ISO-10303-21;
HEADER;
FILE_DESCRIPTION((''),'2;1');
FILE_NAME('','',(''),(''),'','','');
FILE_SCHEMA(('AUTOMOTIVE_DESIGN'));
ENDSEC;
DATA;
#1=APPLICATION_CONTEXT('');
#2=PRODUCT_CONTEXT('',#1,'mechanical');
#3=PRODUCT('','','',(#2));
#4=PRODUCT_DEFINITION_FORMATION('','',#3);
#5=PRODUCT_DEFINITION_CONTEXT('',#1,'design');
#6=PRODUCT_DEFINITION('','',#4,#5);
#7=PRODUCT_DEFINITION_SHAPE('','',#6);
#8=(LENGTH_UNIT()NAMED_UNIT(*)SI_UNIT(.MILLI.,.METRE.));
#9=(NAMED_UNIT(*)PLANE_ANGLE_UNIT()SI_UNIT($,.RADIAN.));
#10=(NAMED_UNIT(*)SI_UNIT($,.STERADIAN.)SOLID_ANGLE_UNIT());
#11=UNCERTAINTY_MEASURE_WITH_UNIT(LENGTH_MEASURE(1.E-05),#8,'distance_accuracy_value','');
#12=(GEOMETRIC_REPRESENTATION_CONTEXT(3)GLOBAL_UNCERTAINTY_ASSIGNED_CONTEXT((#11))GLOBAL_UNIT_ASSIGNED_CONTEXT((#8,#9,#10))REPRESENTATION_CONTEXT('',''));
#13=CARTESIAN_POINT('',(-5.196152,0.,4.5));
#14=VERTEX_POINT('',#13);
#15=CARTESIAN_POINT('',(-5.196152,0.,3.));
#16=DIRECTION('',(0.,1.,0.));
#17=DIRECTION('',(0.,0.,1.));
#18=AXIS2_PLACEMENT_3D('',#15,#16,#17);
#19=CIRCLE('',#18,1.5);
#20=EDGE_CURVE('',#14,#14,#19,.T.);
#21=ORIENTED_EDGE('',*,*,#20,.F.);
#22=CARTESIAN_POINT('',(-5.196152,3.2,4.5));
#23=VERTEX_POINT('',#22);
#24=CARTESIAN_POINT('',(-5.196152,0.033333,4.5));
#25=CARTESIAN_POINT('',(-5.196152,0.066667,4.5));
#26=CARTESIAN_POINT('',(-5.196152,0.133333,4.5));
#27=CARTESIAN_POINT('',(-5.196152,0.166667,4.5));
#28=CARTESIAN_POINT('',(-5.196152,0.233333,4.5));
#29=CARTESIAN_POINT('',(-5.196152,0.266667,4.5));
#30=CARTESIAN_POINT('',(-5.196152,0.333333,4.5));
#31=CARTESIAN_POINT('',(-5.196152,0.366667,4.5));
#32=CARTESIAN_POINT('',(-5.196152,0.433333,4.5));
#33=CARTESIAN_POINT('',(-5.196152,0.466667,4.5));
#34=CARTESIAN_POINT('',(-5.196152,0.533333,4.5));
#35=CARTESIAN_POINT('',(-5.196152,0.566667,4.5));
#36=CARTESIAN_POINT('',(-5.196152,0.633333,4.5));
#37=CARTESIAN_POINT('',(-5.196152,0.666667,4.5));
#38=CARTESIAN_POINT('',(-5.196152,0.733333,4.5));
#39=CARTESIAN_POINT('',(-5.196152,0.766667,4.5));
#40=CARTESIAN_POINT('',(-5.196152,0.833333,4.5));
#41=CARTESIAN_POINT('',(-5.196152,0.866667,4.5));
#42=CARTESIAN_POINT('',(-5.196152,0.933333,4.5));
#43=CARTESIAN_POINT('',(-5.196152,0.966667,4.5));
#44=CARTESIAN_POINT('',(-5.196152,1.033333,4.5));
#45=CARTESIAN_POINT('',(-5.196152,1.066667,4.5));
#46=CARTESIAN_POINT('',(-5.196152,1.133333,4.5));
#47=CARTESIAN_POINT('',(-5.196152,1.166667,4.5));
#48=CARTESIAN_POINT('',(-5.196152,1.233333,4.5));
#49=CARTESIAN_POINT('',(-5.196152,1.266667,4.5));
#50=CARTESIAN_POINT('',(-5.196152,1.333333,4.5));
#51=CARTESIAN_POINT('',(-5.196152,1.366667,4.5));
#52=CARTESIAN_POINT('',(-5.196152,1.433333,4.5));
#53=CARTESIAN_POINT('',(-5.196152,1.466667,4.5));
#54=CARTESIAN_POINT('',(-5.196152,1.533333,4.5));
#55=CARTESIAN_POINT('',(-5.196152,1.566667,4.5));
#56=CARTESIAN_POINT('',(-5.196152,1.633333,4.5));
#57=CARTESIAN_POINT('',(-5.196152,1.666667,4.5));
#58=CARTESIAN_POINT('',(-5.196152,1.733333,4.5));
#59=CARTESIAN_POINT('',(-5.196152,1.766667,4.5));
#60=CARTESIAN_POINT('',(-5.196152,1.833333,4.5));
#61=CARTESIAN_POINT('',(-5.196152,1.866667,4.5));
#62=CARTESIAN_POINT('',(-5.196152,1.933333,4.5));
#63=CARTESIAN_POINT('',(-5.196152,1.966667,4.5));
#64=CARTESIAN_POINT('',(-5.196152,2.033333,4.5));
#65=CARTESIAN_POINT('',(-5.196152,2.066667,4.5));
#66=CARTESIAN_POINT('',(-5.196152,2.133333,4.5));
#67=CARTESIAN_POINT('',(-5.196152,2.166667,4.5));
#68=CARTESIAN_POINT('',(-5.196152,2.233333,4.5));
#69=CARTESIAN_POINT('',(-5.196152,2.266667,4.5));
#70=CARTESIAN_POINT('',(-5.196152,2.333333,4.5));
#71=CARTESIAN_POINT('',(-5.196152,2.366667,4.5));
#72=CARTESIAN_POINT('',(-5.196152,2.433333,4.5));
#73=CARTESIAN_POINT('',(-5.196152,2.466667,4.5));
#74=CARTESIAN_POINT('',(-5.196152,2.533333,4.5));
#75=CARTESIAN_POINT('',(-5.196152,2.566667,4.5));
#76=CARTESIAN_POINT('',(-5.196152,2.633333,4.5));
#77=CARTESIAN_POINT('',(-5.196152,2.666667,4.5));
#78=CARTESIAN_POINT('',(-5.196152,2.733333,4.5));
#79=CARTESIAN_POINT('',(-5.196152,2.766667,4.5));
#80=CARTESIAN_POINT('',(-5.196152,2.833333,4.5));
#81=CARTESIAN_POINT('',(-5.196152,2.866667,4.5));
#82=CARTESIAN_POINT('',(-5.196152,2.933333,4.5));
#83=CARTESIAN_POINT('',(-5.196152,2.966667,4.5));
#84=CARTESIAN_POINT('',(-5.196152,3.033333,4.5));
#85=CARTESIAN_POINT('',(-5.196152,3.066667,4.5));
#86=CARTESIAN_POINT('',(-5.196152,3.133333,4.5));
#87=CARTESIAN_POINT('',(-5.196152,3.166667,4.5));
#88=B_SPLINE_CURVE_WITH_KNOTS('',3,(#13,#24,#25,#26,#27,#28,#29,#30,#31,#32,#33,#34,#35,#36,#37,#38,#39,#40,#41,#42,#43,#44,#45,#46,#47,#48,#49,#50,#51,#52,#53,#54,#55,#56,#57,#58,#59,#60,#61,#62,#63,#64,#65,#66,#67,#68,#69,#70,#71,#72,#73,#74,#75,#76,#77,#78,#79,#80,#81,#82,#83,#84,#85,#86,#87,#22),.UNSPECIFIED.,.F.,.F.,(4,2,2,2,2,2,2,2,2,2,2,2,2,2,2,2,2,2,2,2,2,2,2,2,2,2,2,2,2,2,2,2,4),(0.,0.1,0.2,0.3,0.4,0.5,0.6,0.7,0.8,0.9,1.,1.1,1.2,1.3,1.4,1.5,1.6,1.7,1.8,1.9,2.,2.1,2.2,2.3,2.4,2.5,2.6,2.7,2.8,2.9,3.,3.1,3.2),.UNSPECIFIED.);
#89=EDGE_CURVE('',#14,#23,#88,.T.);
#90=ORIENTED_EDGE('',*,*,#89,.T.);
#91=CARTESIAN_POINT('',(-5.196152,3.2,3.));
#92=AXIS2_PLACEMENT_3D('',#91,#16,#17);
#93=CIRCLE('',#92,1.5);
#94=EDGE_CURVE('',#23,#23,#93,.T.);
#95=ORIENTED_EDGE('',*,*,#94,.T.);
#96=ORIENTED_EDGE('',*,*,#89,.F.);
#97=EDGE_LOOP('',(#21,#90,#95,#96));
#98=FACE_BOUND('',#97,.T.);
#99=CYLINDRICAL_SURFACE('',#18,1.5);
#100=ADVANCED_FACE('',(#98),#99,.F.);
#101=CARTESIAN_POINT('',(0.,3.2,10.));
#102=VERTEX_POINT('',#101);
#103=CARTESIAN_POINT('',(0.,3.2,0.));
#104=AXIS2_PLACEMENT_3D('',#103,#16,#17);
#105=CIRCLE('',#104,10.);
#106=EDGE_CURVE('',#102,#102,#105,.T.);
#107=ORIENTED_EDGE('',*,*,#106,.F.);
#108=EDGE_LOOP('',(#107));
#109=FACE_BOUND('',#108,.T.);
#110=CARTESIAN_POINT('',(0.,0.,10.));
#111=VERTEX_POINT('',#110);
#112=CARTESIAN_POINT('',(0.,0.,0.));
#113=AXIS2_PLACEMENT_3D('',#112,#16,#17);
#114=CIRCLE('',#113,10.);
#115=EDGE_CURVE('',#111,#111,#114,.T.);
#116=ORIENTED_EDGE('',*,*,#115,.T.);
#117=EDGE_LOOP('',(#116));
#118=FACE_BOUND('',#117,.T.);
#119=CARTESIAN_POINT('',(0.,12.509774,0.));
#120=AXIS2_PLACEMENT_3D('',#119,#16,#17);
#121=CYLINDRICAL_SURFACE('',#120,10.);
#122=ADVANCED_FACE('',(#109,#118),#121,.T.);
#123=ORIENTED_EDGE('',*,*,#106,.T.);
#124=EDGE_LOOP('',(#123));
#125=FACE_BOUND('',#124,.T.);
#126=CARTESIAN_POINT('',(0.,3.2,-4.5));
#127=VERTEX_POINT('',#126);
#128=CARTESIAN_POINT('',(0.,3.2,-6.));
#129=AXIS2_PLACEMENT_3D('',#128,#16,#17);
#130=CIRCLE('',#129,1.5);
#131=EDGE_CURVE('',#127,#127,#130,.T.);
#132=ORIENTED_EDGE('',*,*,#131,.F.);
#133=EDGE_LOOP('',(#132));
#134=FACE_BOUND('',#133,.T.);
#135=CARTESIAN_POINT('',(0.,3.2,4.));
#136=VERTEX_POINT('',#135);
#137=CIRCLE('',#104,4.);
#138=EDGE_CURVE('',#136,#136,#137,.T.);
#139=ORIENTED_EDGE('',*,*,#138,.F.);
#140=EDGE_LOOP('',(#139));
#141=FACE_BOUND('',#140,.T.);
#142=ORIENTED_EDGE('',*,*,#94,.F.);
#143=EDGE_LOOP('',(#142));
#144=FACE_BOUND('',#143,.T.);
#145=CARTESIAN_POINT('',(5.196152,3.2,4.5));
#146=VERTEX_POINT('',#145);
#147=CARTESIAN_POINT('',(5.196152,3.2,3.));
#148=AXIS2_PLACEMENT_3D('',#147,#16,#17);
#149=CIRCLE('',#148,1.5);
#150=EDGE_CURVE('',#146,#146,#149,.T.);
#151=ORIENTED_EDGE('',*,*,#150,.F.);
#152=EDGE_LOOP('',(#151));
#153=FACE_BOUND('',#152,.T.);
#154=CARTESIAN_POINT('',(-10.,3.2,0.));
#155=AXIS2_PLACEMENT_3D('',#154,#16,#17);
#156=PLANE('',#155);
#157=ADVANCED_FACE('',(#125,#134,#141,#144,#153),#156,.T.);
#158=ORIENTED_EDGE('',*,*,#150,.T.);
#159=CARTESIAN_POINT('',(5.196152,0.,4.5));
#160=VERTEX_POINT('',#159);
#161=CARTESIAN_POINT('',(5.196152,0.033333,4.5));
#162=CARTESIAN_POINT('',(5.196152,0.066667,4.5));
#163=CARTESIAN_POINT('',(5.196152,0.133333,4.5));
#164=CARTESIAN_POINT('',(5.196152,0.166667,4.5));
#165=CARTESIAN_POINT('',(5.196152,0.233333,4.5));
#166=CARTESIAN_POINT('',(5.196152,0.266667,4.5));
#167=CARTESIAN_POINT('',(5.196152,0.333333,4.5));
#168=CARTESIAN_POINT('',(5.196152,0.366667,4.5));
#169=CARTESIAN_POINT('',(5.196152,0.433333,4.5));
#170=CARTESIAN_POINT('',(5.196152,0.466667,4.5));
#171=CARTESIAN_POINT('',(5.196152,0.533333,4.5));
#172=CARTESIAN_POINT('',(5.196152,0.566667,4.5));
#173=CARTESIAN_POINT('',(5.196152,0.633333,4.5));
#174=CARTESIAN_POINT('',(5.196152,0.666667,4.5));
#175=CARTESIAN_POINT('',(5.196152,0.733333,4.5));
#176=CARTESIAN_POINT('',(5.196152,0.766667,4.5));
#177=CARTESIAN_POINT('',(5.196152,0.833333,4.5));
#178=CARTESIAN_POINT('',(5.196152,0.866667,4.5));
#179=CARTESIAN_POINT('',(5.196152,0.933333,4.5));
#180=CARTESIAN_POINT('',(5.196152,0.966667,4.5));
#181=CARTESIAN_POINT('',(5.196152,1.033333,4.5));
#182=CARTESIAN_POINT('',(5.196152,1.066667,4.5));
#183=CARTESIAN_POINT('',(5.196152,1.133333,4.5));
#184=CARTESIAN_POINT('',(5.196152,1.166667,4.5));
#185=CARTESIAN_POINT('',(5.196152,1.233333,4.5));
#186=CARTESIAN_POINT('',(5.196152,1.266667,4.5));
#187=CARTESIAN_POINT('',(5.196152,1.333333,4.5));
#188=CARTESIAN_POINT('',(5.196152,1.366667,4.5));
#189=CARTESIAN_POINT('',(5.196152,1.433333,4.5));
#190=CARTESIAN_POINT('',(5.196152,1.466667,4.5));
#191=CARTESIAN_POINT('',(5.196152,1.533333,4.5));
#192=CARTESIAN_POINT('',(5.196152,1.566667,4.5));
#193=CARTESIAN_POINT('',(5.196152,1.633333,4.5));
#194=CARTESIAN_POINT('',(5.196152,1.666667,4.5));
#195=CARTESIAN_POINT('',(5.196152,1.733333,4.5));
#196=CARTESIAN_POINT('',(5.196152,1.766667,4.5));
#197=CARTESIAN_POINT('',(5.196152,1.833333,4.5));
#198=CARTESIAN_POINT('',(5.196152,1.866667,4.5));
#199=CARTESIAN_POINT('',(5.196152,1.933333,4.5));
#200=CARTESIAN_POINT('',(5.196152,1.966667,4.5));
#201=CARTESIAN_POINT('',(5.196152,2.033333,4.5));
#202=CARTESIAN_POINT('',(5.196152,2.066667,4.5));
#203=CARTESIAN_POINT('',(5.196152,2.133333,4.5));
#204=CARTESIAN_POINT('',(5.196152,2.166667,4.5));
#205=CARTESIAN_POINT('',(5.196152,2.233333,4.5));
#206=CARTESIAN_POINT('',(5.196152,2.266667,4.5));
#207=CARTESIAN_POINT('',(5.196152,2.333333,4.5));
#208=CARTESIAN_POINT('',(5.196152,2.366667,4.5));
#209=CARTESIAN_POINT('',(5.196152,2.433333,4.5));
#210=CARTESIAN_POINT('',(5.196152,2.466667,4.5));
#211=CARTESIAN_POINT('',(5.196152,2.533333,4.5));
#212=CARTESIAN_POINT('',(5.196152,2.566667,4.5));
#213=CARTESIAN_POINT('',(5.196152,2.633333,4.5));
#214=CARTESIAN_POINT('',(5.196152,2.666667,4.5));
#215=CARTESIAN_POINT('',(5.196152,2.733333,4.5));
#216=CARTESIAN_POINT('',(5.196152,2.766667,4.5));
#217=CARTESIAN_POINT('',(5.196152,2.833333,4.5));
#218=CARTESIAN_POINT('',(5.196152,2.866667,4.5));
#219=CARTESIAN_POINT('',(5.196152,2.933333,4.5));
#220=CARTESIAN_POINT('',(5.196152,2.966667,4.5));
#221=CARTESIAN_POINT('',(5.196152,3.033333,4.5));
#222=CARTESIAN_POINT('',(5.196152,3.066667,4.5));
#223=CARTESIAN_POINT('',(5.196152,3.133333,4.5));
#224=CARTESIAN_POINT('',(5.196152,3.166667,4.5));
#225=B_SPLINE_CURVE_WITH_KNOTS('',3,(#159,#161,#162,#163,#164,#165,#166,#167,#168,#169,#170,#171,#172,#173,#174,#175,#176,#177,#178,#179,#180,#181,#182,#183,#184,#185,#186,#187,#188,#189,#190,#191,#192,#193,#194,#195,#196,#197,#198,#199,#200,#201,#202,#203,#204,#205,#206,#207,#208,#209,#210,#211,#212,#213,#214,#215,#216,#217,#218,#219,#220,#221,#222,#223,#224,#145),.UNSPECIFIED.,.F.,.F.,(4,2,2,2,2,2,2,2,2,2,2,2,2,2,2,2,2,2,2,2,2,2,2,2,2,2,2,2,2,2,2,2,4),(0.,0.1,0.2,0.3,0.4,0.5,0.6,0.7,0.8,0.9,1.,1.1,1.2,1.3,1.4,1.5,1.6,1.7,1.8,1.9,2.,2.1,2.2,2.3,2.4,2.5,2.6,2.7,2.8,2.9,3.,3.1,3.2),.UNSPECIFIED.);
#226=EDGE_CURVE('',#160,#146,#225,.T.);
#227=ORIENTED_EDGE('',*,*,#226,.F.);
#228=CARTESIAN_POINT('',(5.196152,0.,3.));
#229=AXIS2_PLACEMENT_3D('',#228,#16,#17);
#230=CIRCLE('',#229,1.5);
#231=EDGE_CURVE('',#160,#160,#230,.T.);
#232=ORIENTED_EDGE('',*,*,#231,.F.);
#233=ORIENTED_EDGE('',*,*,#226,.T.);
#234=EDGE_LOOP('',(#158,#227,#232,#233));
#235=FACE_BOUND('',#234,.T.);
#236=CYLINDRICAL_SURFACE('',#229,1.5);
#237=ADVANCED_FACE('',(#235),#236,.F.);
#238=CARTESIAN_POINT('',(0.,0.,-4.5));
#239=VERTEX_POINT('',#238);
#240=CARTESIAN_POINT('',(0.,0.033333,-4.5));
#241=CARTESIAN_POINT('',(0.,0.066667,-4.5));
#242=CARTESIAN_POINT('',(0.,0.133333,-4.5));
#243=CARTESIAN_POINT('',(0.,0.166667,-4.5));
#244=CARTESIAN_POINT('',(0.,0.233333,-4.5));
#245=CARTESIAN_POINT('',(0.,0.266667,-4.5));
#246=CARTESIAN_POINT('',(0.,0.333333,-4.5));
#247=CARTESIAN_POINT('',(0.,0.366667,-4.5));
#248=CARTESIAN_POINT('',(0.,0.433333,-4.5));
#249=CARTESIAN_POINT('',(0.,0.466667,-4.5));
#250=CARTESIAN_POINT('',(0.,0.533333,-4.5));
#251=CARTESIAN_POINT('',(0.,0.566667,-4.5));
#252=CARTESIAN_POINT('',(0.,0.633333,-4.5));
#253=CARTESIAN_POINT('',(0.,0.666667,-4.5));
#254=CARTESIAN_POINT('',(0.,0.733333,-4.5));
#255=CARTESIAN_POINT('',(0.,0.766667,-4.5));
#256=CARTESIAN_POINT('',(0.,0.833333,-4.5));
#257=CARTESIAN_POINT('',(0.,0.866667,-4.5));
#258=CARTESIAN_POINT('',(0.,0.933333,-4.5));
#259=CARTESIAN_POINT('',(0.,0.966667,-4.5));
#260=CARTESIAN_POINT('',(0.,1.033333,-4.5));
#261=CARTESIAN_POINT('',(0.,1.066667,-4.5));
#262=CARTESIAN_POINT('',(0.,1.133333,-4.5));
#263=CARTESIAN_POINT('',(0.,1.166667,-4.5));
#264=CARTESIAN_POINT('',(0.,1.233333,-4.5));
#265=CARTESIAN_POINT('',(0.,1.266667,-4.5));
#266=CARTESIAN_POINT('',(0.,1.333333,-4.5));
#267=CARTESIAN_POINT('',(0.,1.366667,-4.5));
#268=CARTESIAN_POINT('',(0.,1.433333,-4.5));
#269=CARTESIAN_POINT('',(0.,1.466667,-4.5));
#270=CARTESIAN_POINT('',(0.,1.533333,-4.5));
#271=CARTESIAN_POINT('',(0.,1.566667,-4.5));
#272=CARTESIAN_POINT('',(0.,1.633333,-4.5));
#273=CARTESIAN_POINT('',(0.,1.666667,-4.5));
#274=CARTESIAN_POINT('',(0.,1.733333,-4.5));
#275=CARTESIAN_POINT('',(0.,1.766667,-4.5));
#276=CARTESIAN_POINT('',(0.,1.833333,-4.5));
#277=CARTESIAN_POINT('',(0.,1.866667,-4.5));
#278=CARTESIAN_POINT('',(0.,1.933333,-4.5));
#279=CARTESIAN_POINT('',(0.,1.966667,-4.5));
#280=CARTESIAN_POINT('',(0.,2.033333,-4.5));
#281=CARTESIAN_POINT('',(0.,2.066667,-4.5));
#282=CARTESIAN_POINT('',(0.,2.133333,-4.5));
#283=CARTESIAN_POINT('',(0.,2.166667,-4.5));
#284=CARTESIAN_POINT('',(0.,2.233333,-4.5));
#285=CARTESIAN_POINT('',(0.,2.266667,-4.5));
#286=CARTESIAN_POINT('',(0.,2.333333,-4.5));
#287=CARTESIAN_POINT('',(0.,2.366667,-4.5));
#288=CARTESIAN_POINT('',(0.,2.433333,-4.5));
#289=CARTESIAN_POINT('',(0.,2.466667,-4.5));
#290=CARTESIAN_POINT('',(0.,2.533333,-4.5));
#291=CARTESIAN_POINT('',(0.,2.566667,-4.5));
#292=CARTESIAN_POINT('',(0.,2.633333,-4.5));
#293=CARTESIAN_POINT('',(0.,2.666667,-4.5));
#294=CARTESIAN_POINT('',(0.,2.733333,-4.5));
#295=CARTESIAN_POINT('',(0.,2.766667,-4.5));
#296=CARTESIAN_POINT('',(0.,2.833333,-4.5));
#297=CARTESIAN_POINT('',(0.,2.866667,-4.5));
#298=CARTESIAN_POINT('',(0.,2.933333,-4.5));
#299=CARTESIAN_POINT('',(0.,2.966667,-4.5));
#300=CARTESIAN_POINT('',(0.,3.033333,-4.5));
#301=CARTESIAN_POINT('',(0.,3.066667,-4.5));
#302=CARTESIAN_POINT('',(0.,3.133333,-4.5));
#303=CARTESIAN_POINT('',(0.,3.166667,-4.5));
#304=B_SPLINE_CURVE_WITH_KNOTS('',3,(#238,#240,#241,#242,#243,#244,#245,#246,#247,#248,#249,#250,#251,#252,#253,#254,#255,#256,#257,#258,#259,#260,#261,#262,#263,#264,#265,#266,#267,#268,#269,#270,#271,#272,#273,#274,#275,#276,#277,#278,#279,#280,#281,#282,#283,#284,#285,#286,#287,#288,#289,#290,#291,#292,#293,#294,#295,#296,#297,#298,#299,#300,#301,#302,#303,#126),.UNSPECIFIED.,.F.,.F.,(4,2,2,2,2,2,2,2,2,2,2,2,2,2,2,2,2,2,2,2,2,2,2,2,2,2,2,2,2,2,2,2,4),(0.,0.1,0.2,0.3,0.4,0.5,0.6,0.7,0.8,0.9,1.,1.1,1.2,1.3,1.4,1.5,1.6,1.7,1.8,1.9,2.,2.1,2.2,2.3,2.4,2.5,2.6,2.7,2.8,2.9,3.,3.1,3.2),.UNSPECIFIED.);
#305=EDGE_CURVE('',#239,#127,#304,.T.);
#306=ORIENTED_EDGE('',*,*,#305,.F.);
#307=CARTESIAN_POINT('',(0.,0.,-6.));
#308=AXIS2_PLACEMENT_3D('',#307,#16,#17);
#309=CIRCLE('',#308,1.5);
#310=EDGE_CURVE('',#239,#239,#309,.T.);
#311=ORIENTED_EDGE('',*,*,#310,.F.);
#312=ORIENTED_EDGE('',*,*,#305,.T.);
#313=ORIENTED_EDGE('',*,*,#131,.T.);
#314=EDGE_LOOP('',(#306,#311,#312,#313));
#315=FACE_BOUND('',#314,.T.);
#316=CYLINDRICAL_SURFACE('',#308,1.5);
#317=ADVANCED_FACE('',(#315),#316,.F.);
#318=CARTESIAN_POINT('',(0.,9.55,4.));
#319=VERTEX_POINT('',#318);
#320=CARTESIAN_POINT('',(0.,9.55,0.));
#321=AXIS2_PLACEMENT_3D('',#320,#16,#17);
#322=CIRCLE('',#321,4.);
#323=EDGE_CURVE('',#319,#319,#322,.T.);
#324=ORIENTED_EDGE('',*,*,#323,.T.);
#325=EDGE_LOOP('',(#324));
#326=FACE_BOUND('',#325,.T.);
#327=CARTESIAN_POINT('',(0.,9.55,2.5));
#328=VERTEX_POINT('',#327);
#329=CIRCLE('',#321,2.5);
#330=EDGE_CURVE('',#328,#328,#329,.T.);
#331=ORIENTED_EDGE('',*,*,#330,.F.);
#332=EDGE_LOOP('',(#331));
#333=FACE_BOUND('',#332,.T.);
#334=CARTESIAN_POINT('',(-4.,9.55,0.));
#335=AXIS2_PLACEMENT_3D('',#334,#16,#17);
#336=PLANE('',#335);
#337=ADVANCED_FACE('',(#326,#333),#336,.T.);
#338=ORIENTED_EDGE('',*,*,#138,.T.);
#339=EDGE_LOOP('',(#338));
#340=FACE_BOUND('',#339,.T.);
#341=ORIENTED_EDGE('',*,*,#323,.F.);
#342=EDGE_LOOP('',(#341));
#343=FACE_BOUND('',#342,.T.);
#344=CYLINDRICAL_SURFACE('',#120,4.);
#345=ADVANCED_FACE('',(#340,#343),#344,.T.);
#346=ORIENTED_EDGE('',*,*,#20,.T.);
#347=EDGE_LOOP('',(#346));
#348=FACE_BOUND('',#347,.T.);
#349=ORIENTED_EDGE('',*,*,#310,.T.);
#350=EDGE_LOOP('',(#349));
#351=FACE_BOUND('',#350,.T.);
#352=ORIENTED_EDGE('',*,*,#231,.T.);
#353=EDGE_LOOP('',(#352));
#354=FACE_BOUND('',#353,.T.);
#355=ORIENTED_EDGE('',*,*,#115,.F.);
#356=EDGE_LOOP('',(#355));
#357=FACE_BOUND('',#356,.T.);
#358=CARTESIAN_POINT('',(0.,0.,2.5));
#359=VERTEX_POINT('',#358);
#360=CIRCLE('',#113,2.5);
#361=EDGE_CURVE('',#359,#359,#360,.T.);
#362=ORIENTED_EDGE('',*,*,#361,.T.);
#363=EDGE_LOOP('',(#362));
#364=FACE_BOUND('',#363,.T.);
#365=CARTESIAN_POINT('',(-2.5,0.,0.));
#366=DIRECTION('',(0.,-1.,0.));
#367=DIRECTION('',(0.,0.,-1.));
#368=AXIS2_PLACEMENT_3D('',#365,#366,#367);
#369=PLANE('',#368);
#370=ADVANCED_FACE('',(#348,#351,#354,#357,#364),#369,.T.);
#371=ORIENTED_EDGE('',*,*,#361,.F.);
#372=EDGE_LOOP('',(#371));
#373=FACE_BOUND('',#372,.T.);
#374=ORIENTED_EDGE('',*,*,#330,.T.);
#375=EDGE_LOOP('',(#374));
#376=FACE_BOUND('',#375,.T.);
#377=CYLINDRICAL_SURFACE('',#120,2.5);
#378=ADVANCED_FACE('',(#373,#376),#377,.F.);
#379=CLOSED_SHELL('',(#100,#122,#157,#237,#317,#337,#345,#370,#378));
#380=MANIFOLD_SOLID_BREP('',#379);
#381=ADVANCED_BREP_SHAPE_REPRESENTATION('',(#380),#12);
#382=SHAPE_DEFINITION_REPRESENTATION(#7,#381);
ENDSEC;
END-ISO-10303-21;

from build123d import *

# Parameters (mm, degrees)
SKETCH2_R          = 1.5
CUT_EXTRUDE1_DEPTH = 16.502338533


with BuildPart() as part:
    # Sketch1 → Revolve1 (revolve)
    with BuildSketch(Plane.XY, mode=Mode.PRIVATE) as revolve1_sk:
        Polygon((-2.5, 9.55), (-2.5, 0), (-10, 0), (-10, 3.2), (-4, 3.2), (-4, 9.55), align=None)
    revolve(revolve1_sk.sketch.rotate(Axis((0, 12.509773994, 0), (0, -1, 0)), 270), axis=Axis((0, 12.509773994, 0), (0, -1, 0)))

    # Sketch2 → Cut-Extrude1 (cut, through all)
    with BuildSketch(Plane(origin=(0, 3.2, 0), x_dir=(1, 0, 0), z_dir=(0, 1, 0))):
        with Locations(Location((0, 6, 0), (0, 0, 270))):
            Circle(SKETCH2_R)
        with Locations(Location((5.196152423, -3, 0), (0, 0, 270))):
            Circle(SKETCH2_R)
        with Locations(Location((-5.196152423, -3, 0), (0, 0, 270))):
            Circle(SKETCH2_R)
    extrude(amount=-CUT_EXTRUDE1_DEPTH, mode=Mode.SUBTRACT)


solid = part.part
